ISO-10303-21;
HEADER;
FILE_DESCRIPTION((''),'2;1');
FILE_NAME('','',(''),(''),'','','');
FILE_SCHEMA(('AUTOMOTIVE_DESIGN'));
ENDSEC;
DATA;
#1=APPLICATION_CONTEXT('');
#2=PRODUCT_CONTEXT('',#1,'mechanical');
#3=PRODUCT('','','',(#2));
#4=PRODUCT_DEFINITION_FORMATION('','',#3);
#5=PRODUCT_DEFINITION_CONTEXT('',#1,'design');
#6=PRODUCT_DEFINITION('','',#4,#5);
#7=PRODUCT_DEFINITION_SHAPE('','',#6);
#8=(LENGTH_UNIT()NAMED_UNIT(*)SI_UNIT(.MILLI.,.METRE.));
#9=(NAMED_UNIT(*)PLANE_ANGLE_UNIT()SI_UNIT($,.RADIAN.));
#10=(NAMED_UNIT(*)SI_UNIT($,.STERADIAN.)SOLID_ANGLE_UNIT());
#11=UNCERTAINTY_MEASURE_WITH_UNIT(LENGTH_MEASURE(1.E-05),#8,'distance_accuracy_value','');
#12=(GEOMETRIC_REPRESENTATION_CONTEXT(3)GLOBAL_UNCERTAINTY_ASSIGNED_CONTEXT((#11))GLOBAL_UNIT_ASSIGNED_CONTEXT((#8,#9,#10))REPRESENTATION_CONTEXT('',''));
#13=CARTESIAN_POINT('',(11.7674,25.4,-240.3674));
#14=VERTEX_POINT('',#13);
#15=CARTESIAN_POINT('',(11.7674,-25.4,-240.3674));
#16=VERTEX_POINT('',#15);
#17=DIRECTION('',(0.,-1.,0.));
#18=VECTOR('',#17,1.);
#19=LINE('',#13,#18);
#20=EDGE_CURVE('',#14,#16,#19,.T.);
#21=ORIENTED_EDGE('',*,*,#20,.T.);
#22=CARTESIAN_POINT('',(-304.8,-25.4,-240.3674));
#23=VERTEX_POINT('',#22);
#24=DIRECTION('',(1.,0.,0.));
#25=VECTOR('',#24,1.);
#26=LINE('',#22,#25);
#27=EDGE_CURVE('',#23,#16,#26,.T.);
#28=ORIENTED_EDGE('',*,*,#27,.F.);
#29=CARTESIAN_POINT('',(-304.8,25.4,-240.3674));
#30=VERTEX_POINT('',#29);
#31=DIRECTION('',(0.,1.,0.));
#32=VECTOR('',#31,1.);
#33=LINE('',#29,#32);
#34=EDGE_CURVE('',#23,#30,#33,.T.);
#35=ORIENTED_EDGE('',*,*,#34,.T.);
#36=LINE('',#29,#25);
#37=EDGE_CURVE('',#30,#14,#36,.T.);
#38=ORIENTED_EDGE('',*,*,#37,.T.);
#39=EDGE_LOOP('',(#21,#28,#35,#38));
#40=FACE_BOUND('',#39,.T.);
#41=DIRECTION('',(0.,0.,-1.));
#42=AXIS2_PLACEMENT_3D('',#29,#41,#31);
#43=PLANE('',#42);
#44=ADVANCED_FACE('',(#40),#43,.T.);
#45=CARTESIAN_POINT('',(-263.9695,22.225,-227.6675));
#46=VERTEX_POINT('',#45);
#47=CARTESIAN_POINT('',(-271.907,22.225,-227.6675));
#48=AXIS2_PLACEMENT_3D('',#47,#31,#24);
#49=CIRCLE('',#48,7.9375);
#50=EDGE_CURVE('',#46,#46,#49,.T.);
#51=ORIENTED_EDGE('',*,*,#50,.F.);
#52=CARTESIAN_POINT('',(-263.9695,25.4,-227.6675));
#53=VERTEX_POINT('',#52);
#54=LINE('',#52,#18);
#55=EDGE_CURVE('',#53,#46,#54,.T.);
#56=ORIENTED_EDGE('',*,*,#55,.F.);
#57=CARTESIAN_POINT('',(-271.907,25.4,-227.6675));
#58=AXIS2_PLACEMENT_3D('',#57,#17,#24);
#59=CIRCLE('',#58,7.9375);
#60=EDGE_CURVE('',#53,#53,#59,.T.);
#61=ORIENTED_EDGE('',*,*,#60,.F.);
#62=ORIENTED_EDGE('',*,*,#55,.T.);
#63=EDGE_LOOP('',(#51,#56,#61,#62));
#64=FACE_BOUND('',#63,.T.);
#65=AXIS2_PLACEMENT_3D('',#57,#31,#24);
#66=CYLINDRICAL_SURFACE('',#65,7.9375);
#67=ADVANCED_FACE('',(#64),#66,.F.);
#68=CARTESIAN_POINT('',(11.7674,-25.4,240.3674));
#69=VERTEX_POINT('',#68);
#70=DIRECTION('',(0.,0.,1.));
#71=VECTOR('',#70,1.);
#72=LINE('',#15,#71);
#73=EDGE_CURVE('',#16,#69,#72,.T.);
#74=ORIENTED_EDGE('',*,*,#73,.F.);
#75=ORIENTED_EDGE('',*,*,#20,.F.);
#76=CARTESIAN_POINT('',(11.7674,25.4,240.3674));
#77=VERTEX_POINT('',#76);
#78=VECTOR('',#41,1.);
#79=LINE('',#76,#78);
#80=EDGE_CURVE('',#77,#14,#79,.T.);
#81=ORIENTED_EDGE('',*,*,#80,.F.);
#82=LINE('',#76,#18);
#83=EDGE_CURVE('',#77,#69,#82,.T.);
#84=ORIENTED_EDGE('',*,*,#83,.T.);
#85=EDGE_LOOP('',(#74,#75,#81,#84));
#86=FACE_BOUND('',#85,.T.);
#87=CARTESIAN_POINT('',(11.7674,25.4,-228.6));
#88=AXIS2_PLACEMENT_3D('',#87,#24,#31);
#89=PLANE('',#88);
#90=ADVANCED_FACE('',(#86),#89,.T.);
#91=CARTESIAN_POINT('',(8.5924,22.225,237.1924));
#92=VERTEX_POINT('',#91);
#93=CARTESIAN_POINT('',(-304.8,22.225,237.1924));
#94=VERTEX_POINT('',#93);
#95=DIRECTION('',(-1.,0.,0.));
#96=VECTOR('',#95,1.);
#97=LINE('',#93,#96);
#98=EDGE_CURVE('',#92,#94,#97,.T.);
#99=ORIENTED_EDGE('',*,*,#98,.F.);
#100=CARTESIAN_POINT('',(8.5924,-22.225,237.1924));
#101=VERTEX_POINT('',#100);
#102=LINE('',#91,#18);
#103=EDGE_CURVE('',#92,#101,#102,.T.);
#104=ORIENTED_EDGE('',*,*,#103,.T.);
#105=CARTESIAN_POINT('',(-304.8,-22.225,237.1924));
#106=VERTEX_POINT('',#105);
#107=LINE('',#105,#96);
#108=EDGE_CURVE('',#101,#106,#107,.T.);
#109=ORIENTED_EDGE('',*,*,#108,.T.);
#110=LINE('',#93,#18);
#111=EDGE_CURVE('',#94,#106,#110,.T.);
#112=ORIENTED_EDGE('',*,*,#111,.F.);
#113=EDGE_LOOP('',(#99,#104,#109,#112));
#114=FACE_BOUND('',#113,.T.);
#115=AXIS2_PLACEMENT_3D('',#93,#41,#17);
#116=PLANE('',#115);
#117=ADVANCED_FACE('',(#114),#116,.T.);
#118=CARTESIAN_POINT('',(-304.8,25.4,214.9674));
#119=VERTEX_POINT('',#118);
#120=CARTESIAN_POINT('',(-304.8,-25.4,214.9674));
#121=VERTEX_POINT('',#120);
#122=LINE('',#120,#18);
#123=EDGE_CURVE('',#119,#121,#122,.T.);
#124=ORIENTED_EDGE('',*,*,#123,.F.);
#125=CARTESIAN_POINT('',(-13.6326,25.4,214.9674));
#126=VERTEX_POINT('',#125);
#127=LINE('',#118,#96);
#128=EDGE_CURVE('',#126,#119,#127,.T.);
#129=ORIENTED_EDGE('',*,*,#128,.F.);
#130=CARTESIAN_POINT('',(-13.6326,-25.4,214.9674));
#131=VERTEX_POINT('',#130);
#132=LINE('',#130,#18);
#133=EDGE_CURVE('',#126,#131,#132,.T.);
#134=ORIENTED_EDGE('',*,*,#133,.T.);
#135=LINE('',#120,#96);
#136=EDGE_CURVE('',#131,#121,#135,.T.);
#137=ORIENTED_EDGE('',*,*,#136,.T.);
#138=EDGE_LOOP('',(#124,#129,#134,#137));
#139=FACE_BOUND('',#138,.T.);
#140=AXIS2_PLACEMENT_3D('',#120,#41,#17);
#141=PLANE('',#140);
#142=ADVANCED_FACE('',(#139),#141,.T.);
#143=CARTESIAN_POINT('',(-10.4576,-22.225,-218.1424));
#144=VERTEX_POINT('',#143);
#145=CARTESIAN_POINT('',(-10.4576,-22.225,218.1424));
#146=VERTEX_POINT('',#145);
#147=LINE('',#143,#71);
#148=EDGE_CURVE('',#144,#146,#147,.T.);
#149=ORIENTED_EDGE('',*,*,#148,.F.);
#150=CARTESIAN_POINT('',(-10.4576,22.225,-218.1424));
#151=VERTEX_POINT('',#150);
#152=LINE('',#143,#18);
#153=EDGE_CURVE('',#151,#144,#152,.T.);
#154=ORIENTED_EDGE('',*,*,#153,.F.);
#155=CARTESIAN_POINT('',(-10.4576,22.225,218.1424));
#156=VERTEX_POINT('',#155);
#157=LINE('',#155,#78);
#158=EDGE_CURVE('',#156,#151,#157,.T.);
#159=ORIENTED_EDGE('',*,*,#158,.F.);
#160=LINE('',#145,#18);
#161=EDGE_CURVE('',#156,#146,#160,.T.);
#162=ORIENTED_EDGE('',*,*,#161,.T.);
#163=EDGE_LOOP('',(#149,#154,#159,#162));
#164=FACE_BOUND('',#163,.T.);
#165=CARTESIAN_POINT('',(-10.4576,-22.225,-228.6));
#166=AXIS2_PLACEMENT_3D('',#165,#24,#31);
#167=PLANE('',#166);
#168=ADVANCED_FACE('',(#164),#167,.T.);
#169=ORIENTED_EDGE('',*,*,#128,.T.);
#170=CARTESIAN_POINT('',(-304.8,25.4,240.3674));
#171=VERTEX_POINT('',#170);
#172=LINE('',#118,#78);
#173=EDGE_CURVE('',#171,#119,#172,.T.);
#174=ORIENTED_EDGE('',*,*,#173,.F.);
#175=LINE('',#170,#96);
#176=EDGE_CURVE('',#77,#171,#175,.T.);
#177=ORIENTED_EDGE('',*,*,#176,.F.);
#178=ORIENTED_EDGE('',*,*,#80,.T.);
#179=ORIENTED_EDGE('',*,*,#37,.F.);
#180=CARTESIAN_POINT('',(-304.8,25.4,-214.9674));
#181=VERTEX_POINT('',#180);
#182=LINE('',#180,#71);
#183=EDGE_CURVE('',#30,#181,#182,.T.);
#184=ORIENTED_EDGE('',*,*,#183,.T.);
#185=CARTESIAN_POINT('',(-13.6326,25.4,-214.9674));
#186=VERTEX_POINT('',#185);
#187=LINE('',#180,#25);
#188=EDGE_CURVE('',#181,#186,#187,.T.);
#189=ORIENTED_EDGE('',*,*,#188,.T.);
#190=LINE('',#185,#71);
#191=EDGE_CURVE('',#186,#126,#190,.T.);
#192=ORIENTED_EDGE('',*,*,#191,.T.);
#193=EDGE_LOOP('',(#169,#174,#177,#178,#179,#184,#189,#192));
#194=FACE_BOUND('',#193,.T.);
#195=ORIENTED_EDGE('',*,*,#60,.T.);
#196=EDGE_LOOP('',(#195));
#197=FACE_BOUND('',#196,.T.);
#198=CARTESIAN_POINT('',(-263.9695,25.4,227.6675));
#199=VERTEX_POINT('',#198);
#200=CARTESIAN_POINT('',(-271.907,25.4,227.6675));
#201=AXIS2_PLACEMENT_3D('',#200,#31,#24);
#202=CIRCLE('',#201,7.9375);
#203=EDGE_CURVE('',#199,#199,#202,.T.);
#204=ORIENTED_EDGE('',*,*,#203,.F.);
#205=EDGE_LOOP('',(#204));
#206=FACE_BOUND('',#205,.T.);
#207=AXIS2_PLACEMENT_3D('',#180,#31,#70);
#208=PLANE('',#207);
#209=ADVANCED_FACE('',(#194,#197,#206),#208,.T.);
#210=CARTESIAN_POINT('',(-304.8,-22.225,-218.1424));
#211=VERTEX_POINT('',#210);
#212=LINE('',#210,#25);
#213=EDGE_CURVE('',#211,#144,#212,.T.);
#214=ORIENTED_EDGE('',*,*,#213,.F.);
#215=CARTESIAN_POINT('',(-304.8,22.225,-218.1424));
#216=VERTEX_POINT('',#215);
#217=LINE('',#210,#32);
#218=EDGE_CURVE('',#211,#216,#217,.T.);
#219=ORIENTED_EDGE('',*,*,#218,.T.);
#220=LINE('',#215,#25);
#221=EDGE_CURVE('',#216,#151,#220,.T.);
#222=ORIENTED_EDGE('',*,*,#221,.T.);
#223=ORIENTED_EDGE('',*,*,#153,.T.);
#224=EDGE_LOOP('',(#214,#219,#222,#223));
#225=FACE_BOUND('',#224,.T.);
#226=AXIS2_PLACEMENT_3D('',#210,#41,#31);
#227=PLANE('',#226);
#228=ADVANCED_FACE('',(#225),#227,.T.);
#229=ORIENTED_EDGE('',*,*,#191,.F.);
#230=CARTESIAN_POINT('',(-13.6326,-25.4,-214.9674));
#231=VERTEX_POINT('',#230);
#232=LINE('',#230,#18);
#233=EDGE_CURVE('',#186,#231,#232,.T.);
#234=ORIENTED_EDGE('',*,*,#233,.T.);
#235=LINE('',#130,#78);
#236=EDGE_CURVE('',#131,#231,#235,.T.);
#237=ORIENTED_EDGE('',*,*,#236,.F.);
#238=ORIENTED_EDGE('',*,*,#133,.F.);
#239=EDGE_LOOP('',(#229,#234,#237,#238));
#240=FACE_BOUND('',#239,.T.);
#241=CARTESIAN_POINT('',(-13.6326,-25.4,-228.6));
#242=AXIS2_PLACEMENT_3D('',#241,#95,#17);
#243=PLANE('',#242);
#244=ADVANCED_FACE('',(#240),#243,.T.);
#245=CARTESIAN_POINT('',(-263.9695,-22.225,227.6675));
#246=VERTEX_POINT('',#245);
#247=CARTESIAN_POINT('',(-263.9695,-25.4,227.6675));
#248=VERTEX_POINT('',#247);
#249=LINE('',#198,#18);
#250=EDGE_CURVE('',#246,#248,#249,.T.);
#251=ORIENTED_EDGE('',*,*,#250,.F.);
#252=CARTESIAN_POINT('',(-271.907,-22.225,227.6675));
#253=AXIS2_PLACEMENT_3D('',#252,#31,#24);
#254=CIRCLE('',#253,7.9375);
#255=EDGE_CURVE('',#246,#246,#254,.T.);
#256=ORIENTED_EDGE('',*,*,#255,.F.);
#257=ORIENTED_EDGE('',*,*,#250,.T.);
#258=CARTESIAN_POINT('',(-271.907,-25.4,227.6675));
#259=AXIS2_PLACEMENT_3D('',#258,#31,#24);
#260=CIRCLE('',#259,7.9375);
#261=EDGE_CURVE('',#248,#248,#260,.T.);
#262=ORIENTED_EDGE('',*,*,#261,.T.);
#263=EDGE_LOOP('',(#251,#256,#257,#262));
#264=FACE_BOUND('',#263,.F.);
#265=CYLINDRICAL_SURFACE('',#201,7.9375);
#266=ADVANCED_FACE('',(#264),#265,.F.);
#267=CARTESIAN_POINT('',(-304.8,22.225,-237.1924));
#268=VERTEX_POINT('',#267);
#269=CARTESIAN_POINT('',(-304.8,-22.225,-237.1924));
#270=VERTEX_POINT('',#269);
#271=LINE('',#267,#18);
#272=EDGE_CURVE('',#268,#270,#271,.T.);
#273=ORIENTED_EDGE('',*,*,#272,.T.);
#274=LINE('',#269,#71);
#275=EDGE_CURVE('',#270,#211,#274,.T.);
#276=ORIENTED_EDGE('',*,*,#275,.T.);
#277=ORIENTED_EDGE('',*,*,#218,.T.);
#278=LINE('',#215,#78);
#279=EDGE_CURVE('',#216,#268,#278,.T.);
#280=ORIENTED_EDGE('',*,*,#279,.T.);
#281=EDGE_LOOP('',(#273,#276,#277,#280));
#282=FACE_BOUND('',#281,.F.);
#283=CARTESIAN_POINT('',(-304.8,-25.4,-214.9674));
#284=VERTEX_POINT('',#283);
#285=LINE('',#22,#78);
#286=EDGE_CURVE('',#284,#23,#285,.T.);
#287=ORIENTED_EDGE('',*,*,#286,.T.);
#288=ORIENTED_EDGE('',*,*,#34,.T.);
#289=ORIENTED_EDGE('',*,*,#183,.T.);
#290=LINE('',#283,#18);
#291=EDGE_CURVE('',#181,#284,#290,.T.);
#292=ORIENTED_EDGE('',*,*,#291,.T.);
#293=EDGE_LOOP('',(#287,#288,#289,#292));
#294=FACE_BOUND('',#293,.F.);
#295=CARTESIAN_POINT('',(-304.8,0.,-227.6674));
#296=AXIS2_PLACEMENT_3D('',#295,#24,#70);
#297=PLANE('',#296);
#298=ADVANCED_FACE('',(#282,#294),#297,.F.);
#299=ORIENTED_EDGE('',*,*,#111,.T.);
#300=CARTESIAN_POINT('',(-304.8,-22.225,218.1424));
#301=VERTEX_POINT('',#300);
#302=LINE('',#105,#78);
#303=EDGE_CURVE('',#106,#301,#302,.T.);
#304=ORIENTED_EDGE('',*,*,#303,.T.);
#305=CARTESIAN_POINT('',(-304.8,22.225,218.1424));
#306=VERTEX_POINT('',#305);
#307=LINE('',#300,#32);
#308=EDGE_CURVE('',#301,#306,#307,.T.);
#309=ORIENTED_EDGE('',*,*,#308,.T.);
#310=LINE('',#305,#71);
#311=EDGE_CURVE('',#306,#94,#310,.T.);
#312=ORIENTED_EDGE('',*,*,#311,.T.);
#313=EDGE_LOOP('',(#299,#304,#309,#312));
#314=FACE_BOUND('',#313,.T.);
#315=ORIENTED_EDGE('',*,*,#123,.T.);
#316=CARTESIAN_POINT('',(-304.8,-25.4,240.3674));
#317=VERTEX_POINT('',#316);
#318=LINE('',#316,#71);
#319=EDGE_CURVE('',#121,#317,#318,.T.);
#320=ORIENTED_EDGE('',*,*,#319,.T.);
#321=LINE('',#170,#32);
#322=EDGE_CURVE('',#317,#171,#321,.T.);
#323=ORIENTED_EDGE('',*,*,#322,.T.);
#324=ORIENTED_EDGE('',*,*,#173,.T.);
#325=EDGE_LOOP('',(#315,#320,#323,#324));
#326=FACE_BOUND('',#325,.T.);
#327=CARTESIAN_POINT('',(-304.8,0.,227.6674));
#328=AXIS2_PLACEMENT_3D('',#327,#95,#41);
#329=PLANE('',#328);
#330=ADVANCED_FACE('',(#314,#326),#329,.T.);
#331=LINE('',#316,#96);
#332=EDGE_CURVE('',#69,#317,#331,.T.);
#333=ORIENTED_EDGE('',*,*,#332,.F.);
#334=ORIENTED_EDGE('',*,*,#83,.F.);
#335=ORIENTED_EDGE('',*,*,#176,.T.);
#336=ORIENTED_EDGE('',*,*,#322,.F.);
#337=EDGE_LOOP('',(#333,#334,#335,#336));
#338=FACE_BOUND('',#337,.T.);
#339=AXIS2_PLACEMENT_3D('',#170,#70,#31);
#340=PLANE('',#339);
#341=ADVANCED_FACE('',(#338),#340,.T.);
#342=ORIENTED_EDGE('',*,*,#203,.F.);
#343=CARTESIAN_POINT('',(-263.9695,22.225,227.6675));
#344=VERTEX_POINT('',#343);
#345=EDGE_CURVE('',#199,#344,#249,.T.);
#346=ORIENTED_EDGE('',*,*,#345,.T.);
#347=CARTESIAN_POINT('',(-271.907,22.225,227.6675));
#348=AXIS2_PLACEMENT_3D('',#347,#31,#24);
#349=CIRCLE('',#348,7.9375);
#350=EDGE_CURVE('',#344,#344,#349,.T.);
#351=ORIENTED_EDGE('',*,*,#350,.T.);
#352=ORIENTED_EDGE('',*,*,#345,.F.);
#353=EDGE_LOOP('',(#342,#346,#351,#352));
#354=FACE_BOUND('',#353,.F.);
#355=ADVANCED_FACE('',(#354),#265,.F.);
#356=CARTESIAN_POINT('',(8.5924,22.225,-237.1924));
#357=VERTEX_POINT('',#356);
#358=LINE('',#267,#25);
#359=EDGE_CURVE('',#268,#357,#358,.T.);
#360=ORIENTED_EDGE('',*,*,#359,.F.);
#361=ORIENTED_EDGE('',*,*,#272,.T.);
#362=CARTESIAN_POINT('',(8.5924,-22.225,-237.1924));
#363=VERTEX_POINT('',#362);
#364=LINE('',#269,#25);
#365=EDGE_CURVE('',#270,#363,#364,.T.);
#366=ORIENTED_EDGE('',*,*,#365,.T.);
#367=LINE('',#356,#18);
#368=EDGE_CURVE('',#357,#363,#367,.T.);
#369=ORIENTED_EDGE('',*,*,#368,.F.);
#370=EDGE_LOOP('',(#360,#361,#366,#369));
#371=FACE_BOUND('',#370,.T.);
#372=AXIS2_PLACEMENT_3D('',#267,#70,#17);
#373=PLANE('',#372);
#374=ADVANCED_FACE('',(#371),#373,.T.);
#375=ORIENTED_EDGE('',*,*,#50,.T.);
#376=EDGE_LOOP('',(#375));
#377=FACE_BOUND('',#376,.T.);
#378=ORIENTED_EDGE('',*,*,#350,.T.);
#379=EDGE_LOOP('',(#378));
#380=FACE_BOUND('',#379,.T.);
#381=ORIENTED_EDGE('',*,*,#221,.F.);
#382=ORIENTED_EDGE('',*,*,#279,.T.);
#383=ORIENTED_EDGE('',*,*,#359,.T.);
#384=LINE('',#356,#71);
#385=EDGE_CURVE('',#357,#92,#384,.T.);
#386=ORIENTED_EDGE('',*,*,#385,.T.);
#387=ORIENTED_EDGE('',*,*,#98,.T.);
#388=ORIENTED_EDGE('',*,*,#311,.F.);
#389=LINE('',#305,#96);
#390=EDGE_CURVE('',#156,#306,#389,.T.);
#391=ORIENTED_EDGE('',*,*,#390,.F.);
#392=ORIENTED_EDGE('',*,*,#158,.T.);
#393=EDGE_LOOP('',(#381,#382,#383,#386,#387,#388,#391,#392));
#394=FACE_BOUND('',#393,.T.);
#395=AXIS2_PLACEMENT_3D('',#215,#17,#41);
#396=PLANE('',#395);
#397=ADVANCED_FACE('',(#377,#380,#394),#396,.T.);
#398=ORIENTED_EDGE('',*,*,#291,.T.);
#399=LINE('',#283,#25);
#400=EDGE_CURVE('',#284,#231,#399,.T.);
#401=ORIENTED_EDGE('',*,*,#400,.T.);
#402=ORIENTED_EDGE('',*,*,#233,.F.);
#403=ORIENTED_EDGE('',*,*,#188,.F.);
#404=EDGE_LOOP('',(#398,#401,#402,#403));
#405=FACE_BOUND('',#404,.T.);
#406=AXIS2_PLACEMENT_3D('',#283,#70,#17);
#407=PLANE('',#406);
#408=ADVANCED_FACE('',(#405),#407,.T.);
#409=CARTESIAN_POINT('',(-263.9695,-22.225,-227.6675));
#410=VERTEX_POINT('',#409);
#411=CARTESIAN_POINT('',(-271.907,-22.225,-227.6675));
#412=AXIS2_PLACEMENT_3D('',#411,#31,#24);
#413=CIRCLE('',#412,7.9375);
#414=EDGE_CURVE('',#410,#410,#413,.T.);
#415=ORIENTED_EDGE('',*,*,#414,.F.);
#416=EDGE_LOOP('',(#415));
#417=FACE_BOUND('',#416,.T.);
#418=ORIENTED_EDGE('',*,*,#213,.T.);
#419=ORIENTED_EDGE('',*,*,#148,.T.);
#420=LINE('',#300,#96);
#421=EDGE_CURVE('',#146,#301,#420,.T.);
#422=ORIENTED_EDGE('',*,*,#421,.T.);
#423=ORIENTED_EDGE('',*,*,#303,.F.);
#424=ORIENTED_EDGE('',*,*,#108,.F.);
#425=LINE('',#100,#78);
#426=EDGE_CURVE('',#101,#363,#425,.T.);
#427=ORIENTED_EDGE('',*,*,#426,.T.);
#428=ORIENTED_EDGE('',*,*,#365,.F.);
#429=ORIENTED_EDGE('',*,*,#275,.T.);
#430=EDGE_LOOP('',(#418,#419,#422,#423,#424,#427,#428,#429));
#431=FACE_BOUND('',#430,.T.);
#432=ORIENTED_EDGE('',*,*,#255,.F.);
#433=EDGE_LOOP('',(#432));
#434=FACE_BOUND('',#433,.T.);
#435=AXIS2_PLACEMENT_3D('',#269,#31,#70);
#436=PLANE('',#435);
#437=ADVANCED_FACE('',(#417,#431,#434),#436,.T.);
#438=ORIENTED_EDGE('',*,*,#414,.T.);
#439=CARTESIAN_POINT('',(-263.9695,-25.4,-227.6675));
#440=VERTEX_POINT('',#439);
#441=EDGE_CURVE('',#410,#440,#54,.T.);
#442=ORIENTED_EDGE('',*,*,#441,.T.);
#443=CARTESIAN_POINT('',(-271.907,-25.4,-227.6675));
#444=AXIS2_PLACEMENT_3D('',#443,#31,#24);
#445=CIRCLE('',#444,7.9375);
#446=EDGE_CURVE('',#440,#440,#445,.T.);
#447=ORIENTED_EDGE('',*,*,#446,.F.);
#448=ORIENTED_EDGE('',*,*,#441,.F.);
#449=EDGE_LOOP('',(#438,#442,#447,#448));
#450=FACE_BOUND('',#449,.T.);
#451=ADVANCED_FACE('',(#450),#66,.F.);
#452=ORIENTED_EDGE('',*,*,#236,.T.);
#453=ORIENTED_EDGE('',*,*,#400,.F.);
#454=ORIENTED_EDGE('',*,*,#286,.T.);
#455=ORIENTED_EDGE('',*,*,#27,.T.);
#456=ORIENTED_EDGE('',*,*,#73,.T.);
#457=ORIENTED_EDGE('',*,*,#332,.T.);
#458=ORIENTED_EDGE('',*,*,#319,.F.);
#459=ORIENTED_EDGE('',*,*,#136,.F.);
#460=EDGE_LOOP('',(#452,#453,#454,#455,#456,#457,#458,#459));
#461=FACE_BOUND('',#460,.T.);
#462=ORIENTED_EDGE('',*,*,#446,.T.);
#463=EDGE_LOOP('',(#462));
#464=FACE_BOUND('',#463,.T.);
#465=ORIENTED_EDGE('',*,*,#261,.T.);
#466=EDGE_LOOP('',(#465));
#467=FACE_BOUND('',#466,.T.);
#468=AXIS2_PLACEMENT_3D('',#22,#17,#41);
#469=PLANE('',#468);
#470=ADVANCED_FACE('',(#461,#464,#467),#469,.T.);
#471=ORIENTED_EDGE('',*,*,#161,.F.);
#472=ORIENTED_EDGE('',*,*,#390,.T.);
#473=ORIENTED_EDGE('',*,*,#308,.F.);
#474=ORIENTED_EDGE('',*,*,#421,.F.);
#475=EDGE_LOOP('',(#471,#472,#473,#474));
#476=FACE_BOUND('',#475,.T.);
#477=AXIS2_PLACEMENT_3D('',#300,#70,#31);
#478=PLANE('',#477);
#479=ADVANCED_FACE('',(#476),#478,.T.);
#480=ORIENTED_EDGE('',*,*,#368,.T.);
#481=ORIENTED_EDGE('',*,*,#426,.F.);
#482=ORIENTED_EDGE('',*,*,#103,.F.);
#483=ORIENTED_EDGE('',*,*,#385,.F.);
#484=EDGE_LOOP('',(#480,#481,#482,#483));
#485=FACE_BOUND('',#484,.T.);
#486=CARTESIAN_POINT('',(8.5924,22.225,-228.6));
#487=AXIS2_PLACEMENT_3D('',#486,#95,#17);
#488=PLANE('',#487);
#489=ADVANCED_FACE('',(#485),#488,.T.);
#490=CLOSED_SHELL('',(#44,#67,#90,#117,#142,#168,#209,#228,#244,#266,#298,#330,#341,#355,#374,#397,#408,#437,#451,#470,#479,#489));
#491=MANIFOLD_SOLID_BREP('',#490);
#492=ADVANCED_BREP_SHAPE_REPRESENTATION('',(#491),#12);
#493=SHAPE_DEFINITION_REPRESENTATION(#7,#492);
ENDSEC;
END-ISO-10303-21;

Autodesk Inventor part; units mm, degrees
ref_plane "XZ Plane" through (0, 0, 0) normal (0, 1, 0) x (-1, 0, 0)
ref_plane "XY Plane" through (0, 0, 0) normal (0, 0, 1) x (1, 0, 0)
sketch "Sketch1" plane through (0, 0, 0) normal (0, 1, 0) x (-1, 0, 0)
  line L0 (304.8, -228.6) -> (0, -228.6)
  line L1 (0, -228.6) -> (0, 0)
  line L2 (0, 0) -> (304.8, 0) construction
  line L3 (304.8, 228.6) -> (0, 228.6)
  line L4 (0, 228.6) -> (0, 0)
  dimension "d0" = 304.8
  dimension "d1" = 228.6
ref_plane "Work Plane1" through (-304.8, 0, 0) normal (1, 0, 0) x (0, 1, 0)
sketch "Sketch2" plane through (-304.8, 0, 0) normal (1, 0, 0) x (0, 1, 0)
  line L0 (-25.4, -240.3674) -> (-25.4, -214.9674)
  line L1 (-25.4, -214.9674) -> (25.4, -214.9674)
  line L2 (25.4, -214.9674) -> (25.4, -240.3674)
  line L3 (25.4, -240.3674) -> (-25.4, -240.3674)
  line L4 (-25.4, -240.3674) -> (25.4, -214.9674) construction
  line L5 (-25.4, -214.9674) -> (25.4, -240.3674) construction
  line L6 (-22.225, -237.1924) -> (-22.225, -218.1424)
  line L7 (-22.225, -218.1424) -> (22.225, -218.1424)
  line L8 (22.225, -218.1424) -> (22.225, -237.1924)
  line L9 (22.225, -237.1924) -> (-22.225, -237.1924)
  line L10 (-22.225, -237.1924) -> (22.225, -218.1424) construction
  line L11 (-22.225, -218.1424) -> (22.225, -237.1924) construction
  point P0 (0, 0)
  point P1 (0, -227.6674)
  dimension "d3" = 25.4
  dimension "d4" = 50.8
  dimension "d5" = 3.175
  dimension "d6" = 3.175
sweep "Sweep1" add profiles "Sketch2" path "Sketch1"
sketch "Sketch3" plane through (-304.8, 25.4, -214.9674) normal (0, 1, 0) x (1, 0, 0)
  circle A0 centre (32.893, -442.6349) radius 7.9375
  line L0 (0, -455.3349) -> (0, -429.9349) projected
  point P0 (304.8, -214.9674)
  dimension "d9" = 15.875
  dimension "d10" = 32.893
extrude "Extrusion1" cut sketch "Sketch3" against normal through all
mirror "Mirror1" about plane through (0, 0, 0) normal (0, 0, 1) of "Extrusion1"
properties part number "GripperFrame"
